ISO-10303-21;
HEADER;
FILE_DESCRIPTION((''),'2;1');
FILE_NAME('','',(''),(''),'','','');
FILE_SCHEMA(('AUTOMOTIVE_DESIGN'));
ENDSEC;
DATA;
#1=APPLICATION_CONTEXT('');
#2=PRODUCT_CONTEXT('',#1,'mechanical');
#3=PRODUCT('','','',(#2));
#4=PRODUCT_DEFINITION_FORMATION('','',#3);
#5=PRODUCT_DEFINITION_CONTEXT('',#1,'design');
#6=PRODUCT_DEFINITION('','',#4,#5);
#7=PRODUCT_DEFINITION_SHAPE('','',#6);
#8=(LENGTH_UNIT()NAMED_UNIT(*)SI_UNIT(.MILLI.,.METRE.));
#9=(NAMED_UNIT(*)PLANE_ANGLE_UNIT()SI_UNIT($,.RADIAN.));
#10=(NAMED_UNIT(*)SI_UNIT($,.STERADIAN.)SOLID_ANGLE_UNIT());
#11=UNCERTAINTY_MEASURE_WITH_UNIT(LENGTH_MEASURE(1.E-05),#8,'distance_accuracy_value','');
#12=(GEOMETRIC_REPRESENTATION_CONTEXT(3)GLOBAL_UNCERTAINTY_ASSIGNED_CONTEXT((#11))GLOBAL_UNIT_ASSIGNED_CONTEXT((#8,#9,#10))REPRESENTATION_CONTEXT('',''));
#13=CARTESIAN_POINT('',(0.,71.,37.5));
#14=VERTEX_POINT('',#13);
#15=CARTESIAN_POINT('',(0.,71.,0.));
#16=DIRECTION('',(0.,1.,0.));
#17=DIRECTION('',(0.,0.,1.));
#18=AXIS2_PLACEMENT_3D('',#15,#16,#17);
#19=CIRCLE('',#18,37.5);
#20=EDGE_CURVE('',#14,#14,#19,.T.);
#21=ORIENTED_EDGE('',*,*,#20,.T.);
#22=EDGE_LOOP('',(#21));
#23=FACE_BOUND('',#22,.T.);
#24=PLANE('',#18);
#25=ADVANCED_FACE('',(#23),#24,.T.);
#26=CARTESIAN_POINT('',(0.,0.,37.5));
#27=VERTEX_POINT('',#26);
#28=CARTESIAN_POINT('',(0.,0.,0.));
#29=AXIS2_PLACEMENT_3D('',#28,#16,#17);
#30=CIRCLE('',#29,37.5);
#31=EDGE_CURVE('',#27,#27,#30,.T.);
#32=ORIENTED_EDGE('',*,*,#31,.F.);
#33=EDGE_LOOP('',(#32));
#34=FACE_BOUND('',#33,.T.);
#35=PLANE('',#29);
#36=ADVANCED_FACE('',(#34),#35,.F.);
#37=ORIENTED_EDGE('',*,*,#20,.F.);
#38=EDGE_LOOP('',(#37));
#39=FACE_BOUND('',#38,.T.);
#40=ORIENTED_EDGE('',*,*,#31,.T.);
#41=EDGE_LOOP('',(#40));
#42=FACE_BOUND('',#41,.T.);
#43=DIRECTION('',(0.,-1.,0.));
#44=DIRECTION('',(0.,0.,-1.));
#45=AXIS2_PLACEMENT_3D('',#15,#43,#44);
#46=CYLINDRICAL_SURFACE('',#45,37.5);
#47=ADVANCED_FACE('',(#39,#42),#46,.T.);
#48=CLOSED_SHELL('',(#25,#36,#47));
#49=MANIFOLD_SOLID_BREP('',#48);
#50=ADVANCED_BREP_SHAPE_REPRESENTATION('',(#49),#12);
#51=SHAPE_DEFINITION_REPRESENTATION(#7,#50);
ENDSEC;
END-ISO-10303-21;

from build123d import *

# Parameters (mm, degrees)
SKETCH1_R           = 37.5
BOSS_EXTRUDE1_DEPTH = 71


with BuildPart() as part:
    # Sketch1 → Boss-Extrude1 (new body)
    with BuildSketch(Plane(origin=(0, 0, 0), x_dir=(1, 0, 0), z_dir=(0, 1, 0))):
        with Locations(Location((0, 0, 0), (0, 0, 270))):
            Circle(SKETCH1_R)
    extrude(amount=BOSS_EXTRUDE1_DEPTH)


solid = part.part
